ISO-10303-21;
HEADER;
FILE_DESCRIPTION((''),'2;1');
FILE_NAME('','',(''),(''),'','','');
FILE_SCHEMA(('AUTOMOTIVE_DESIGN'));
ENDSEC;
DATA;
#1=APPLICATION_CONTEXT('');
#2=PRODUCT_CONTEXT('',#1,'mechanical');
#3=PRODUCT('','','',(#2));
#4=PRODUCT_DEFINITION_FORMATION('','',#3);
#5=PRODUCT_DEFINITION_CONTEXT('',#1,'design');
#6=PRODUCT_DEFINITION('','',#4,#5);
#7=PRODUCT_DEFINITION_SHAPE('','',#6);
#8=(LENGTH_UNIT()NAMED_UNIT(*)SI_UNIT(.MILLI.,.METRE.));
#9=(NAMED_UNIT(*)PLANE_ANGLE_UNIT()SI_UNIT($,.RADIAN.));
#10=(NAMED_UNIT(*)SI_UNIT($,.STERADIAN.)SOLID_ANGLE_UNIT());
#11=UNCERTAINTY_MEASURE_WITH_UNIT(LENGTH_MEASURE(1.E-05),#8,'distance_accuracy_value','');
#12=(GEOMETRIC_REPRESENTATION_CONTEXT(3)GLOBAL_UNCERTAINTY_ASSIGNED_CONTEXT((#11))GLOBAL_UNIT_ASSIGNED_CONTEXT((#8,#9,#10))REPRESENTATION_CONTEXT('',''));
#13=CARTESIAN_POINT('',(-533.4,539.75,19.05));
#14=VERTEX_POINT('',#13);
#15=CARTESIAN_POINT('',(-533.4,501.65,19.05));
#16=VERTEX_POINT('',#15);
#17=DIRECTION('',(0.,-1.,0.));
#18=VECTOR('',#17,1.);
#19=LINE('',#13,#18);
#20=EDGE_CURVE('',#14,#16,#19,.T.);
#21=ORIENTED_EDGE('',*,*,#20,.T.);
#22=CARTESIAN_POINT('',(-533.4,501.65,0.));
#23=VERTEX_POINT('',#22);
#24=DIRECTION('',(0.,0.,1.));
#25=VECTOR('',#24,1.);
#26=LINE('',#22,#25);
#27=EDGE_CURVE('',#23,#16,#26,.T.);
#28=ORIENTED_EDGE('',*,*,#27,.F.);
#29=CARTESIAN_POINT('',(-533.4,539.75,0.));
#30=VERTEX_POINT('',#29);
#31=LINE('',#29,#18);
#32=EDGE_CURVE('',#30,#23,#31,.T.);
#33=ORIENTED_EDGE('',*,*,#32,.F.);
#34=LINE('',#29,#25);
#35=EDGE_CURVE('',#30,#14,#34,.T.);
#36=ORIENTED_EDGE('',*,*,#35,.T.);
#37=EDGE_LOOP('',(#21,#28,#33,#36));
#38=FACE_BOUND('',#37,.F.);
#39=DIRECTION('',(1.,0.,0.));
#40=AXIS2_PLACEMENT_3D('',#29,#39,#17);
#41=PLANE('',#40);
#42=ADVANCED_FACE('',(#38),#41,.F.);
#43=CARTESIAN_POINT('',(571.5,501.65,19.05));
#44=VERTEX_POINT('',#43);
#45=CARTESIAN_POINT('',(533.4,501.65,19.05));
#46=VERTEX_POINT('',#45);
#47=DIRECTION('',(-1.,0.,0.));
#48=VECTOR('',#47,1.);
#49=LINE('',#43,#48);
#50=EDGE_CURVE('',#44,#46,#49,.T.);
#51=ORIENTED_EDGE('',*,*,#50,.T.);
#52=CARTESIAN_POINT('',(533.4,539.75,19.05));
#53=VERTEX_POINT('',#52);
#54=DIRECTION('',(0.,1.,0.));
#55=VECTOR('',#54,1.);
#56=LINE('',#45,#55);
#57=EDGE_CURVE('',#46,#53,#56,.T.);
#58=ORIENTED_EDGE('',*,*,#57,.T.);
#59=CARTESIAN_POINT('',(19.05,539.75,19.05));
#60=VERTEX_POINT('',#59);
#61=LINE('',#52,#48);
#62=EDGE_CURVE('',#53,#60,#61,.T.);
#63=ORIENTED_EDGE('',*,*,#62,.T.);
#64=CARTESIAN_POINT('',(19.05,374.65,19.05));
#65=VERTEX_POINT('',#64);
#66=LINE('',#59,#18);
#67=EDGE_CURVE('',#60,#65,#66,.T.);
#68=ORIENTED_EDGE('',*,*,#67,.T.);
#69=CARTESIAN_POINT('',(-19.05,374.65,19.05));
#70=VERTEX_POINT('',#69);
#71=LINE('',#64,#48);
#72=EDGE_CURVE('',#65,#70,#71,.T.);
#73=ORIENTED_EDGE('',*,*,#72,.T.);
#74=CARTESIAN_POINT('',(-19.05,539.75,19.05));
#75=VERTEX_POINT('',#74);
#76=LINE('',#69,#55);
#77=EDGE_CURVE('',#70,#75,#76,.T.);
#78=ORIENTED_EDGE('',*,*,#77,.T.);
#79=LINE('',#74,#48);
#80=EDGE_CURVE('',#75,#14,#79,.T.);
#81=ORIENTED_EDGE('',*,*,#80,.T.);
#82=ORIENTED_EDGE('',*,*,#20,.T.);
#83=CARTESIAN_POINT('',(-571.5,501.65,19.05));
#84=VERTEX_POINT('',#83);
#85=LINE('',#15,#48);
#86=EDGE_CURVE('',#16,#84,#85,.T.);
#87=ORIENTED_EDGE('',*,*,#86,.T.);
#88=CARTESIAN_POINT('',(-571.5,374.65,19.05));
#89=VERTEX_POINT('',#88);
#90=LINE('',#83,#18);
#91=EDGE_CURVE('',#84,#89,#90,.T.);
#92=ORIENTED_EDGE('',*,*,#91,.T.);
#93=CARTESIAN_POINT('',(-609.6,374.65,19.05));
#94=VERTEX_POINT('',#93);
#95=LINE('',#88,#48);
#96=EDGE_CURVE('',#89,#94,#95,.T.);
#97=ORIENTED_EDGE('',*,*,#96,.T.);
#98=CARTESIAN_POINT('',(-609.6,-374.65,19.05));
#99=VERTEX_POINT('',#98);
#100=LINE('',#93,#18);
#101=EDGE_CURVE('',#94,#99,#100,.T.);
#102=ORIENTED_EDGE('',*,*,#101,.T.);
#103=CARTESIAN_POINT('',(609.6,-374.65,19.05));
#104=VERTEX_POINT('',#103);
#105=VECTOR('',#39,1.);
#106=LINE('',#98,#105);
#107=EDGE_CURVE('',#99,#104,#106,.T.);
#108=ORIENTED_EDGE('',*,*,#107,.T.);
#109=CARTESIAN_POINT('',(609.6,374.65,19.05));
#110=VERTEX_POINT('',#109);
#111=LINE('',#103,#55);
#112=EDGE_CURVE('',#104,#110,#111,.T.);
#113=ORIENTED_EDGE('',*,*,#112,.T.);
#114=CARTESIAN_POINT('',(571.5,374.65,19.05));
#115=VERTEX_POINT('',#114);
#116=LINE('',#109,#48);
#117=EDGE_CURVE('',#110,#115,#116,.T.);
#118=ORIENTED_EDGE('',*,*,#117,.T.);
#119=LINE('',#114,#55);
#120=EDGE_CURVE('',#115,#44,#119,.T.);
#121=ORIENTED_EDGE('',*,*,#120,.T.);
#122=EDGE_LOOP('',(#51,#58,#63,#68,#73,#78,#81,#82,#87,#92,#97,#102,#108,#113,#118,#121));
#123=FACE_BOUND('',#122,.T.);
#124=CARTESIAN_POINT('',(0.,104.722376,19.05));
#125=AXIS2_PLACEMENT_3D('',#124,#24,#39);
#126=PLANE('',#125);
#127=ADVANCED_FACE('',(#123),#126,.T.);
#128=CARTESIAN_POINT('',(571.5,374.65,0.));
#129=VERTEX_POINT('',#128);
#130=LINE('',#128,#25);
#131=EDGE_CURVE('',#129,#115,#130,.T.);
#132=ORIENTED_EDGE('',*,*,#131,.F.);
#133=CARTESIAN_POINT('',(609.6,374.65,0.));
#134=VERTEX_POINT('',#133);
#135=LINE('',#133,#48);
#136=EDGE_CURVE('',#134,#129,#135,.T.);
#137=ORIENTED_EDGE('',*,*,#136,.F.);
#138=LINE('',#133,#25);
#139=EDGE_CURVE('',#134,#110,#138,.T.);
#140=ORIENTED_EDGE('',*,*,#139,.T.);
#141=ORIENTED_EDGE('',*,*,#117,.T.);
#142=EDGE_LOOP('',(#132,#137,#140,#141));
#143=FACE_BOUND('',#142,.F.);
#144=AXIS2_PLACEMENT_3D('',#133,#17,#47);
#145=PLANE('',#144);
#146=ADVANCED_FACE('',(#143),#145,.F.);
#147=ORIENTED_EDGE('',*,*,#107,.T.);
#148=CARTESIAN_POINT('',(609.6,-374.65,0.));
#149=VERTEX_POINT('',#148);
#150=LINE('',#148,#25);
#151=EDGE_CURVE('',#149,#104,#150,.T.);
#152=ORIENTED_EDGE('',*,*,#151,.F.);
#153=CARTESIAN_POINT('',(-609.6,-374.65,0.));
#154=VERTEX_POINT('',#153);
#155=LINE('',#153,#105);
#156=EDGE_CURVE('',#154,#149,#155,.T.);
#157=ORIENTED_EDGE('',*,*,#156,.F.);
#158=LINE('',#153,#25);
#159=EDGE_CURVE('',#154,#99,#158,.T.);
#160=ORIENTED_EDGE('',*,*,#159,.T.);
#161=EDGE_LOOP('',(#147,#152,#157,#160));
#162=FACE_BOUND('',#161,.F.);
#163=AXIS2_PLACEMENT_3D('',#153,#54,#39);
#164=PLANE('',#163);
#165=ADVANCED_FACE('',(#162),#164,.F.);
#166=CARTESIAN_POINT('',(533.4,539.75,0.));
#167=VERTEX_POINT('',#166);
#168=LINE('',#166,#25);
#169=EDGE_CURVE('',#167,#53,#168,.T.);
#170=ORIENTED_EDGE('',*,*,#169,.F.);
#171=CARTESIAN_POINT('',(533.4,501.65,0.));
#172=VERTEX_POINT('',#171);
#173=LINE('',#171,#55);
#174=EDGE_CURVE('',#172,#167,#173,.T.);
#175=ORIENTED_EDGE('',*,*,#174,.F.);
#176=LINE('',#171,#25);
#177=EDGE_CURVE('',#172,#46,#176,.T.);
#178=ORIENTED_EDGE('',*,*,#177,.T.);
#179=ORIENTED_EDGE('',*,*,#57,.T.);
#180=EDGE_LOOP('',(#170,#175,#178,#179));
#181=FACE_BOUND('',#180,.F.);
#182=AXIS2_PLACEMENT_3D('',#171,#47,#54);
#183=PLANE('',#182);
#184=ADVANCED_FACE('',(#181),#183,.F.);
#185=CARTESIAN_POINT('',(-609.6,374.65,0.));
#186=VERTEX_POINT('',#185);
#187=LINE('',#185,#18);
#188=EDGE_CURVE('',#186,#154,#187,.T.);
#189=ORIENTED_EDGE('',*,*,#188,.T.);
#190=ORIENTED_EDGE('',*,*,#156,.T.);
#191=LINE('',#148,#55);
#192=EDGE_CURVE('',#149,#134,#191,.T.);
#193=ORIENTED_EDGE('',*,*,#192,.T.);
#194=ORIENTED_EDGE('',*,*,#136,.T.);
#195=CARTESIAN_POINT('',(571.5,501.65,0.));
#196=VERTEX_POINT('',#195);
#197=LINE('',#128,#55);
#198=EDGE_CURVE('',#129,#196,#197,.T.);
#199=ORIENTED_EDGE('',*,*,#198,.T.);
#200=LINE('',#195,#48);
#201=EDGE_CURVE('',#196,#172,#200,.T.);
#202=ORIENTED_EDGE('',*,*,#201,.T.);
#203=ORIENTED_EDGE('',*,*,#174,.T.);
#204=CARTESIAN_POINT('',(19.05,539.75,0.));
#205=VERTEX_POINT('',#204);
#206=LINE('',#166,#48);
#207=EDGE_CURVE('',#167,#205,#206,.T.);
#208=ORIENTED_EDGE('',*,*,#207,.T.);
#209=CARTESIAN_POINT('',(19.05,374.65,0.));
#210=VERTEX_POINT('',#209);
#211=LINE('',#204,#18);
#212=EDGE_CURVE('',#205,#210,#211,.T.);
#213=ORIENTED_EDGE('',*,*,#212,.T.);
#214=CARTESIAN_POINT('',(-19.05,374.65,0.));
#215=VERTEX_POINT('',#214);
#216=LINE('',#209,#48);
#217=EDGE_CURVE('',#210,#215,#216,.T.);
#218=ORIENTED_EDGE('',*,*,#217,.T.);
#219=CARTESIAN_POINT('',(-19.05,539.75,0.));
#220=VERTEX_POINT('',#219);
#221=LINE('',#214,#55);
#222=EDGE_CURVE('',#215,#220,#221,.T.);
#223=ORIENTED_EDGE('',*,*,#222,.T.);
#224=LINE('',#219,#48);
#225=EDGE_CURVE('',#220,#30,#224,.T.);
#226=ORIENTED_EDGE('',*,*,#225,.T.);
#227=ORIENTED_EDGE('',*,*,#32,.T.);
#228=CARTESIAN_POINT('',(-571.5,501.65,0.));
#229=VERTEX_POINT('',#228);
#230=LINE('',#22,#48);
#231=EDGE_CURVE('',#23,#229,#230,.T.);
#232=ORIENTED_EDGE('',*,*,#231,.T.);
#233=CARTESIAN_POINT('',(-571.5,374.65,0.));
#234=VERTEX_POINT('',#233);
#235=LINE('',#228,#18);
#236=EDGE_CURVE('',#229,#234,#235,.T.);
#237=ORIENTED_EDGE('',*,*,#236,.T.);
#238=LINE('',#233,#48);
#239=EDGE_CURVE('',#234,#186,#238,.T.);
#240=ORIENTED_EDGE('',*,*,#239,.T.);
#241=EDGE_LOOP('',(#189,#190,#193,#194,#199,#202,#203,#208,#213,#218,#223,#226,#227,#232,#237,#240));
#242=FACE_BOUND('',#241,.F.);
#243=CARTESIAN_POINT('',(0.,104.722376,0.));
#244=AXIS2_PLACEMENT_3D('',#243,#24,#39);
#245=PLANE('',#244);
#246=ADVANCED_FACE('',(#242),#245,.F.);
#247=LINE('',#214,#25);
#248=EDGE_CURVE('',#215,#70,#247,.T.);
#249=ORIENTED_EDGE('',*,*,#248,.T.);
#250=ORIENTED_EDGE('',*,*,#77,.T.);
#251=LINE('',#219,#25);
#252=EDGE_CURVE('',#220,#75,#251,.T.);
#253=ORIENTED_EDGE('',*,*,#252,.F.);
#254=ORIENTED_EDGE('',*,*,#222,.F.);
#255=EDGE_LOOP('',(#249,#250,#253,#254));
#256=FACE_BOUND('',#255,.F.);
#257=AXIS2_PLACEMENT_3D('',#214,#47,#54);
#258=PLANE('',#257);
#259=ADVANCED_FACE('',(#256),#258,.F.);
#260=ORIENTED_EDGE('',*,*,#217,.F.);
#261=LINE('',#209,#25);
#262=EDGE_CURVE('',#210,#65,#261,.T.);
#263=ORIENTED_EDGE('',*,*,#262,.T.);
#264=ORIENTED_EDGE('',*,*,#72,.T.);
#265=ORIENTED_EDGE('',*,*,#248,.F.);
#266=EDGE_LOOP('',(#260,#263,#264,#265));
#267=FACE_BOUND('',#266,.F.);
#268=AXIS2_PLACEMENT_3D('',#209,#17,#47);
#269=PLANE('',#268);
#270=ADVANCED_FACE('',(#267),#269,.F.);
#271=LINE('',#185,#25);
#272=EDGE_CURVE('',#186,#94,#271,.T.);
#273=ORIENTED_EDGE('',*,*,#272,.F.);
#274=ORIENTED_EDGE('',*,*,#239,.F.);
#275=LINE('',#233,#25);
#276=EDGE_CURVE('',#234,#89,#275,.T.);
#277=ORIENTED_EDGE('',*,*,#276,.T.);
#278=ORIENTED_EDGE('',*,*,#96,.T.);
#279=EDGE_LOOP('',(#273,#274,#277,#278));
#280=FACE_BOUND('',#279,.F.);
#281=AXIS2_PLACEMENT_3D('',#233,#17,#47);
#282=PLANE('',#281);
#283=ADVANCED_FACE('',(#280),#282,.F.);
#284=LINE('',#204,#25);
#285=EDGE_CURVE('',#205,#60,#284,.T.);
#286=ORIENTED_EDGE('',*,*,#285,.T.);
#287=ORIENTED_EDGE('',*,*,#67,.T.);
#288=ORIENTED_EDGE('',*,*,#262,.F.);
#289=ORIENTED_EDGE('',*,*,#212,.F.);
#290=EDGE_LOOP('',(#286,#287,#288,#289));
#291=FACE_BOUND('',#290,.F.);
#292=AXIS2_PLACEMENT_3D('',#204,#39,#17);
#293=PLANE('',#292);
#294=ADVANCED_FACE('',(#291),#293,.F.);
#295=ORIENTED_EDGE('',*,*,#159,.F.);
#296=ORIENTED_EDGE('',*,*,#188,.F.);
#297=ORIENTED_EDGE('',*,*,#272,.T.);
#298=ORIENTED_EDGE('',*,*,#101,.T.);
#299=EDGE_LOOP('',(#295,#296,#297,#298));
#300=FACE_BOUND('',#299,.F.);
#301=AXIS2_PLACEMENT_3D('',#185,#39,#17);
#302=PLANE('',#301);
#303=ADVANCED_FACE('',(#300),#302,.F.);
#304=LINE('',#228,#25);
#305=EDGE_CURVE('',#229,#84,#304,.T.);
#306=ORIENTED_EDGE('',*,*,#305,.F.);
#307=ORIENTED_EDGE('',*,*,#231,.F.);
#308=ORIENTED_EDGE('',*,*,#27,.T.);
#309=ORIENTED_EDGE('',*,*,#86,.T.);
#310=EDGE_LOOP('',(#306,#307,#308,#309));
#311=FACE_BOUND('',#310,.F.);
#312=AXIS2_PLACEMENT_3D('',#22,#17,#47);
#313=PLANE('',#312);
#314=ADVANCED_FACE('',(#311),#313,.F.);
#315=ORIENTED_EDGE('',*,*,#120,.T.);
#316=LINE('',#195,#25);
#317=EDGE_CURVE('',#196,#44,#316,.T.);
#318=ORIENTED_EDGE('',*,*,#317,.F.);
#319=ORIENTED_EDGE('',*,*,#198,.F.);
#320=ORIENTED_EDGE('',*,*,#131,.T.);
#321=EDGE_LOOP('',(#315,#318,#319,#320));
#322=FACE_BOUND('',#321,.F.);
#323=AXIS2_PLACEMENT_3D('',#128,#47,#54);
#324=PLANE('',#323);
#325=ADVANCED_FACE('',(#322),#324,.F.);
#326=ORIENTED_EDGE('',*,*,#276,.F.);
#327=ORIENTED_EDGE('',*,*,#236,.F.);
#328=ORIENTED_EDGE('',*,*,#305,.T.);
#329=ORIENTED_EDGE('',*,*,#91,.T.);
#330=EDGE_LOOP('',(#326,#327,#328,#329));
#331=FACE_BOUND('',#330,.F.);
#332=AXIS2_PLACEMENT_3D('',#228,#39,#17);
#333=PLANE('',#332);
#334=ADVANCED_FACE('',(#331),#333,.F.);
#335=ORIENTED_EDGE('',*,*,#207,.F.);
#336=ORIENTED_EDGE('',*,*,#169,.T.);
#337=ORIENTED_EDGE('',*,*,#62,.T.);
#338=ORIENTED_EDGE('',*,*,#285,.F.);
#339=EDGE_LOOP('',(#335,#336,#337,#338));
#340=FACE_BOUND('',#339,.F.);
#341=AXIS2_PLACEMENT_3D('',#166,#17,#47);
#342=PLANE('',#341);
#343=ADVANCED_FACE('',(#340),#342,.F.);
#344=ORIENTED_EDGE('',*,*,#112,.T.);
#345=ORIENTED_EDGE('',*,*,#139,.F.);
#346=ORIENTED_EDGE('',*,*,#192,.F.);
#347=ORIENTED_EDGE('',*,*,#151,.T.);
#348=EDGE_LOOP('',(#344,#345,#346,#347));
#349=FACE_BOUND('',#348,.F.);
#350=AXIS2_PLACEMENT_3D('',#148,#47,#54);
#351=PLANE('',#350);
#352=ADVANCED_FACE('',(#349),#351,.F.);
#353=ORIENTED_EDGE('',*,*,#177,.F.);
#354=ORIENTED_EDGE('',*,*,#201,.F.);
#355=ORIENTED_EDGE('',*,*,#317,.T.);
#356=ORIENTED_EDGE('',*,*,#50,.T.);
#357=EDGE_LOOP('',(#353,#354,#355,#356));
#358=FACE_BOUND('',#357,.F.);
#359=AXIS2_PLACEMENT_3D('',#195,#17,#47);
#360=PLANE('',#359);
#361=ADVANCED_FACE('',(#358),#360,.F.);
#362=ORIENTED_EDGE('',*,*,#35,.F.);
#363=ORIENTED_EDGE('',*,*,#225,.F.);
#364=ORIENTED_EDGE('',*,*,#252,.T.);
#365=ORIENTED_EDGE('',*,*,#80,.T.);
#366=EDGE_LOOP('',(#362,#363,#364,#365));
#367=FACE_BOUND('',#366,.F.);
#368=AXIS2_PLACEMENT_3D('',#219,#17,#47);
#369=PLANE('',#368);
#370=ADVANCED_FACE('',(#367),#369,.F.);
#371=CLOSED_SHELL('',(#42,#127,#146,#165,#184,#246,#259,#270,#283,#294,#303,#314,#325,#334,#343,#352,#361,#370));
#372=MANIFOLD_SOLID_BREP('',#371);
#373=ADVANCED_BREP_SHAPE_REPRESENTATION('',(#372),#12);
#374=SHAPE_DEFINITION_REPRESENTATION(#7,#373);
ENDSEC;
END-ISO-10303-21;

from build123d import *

# Parameters (mm, degrees)
F1_DEPTH = 19.05


with BuildPart() as f1:
    # F0 (on Top) → F1 (new body)
    with BuildSketch(Plane.XY):
        Polygon((-19.05, 539.75), (-533.4, 539.75), (-533.4, 501.65), (-571.5, 501.65), (-571.5, 374.65), (-609.6, 374.65), (-609.6, -374.65), (609.6, -374.65), (609.6, 374.65), (571.5, 374.65), (571.5, 501.65), (533.4, 501.65), (533.4, 539.75), (19.05, 539.75), (19.05, 374.65), (-19.05, 374.65), align=None)
    extrude(amount=F1_DEPTH)


solid = f1.part
